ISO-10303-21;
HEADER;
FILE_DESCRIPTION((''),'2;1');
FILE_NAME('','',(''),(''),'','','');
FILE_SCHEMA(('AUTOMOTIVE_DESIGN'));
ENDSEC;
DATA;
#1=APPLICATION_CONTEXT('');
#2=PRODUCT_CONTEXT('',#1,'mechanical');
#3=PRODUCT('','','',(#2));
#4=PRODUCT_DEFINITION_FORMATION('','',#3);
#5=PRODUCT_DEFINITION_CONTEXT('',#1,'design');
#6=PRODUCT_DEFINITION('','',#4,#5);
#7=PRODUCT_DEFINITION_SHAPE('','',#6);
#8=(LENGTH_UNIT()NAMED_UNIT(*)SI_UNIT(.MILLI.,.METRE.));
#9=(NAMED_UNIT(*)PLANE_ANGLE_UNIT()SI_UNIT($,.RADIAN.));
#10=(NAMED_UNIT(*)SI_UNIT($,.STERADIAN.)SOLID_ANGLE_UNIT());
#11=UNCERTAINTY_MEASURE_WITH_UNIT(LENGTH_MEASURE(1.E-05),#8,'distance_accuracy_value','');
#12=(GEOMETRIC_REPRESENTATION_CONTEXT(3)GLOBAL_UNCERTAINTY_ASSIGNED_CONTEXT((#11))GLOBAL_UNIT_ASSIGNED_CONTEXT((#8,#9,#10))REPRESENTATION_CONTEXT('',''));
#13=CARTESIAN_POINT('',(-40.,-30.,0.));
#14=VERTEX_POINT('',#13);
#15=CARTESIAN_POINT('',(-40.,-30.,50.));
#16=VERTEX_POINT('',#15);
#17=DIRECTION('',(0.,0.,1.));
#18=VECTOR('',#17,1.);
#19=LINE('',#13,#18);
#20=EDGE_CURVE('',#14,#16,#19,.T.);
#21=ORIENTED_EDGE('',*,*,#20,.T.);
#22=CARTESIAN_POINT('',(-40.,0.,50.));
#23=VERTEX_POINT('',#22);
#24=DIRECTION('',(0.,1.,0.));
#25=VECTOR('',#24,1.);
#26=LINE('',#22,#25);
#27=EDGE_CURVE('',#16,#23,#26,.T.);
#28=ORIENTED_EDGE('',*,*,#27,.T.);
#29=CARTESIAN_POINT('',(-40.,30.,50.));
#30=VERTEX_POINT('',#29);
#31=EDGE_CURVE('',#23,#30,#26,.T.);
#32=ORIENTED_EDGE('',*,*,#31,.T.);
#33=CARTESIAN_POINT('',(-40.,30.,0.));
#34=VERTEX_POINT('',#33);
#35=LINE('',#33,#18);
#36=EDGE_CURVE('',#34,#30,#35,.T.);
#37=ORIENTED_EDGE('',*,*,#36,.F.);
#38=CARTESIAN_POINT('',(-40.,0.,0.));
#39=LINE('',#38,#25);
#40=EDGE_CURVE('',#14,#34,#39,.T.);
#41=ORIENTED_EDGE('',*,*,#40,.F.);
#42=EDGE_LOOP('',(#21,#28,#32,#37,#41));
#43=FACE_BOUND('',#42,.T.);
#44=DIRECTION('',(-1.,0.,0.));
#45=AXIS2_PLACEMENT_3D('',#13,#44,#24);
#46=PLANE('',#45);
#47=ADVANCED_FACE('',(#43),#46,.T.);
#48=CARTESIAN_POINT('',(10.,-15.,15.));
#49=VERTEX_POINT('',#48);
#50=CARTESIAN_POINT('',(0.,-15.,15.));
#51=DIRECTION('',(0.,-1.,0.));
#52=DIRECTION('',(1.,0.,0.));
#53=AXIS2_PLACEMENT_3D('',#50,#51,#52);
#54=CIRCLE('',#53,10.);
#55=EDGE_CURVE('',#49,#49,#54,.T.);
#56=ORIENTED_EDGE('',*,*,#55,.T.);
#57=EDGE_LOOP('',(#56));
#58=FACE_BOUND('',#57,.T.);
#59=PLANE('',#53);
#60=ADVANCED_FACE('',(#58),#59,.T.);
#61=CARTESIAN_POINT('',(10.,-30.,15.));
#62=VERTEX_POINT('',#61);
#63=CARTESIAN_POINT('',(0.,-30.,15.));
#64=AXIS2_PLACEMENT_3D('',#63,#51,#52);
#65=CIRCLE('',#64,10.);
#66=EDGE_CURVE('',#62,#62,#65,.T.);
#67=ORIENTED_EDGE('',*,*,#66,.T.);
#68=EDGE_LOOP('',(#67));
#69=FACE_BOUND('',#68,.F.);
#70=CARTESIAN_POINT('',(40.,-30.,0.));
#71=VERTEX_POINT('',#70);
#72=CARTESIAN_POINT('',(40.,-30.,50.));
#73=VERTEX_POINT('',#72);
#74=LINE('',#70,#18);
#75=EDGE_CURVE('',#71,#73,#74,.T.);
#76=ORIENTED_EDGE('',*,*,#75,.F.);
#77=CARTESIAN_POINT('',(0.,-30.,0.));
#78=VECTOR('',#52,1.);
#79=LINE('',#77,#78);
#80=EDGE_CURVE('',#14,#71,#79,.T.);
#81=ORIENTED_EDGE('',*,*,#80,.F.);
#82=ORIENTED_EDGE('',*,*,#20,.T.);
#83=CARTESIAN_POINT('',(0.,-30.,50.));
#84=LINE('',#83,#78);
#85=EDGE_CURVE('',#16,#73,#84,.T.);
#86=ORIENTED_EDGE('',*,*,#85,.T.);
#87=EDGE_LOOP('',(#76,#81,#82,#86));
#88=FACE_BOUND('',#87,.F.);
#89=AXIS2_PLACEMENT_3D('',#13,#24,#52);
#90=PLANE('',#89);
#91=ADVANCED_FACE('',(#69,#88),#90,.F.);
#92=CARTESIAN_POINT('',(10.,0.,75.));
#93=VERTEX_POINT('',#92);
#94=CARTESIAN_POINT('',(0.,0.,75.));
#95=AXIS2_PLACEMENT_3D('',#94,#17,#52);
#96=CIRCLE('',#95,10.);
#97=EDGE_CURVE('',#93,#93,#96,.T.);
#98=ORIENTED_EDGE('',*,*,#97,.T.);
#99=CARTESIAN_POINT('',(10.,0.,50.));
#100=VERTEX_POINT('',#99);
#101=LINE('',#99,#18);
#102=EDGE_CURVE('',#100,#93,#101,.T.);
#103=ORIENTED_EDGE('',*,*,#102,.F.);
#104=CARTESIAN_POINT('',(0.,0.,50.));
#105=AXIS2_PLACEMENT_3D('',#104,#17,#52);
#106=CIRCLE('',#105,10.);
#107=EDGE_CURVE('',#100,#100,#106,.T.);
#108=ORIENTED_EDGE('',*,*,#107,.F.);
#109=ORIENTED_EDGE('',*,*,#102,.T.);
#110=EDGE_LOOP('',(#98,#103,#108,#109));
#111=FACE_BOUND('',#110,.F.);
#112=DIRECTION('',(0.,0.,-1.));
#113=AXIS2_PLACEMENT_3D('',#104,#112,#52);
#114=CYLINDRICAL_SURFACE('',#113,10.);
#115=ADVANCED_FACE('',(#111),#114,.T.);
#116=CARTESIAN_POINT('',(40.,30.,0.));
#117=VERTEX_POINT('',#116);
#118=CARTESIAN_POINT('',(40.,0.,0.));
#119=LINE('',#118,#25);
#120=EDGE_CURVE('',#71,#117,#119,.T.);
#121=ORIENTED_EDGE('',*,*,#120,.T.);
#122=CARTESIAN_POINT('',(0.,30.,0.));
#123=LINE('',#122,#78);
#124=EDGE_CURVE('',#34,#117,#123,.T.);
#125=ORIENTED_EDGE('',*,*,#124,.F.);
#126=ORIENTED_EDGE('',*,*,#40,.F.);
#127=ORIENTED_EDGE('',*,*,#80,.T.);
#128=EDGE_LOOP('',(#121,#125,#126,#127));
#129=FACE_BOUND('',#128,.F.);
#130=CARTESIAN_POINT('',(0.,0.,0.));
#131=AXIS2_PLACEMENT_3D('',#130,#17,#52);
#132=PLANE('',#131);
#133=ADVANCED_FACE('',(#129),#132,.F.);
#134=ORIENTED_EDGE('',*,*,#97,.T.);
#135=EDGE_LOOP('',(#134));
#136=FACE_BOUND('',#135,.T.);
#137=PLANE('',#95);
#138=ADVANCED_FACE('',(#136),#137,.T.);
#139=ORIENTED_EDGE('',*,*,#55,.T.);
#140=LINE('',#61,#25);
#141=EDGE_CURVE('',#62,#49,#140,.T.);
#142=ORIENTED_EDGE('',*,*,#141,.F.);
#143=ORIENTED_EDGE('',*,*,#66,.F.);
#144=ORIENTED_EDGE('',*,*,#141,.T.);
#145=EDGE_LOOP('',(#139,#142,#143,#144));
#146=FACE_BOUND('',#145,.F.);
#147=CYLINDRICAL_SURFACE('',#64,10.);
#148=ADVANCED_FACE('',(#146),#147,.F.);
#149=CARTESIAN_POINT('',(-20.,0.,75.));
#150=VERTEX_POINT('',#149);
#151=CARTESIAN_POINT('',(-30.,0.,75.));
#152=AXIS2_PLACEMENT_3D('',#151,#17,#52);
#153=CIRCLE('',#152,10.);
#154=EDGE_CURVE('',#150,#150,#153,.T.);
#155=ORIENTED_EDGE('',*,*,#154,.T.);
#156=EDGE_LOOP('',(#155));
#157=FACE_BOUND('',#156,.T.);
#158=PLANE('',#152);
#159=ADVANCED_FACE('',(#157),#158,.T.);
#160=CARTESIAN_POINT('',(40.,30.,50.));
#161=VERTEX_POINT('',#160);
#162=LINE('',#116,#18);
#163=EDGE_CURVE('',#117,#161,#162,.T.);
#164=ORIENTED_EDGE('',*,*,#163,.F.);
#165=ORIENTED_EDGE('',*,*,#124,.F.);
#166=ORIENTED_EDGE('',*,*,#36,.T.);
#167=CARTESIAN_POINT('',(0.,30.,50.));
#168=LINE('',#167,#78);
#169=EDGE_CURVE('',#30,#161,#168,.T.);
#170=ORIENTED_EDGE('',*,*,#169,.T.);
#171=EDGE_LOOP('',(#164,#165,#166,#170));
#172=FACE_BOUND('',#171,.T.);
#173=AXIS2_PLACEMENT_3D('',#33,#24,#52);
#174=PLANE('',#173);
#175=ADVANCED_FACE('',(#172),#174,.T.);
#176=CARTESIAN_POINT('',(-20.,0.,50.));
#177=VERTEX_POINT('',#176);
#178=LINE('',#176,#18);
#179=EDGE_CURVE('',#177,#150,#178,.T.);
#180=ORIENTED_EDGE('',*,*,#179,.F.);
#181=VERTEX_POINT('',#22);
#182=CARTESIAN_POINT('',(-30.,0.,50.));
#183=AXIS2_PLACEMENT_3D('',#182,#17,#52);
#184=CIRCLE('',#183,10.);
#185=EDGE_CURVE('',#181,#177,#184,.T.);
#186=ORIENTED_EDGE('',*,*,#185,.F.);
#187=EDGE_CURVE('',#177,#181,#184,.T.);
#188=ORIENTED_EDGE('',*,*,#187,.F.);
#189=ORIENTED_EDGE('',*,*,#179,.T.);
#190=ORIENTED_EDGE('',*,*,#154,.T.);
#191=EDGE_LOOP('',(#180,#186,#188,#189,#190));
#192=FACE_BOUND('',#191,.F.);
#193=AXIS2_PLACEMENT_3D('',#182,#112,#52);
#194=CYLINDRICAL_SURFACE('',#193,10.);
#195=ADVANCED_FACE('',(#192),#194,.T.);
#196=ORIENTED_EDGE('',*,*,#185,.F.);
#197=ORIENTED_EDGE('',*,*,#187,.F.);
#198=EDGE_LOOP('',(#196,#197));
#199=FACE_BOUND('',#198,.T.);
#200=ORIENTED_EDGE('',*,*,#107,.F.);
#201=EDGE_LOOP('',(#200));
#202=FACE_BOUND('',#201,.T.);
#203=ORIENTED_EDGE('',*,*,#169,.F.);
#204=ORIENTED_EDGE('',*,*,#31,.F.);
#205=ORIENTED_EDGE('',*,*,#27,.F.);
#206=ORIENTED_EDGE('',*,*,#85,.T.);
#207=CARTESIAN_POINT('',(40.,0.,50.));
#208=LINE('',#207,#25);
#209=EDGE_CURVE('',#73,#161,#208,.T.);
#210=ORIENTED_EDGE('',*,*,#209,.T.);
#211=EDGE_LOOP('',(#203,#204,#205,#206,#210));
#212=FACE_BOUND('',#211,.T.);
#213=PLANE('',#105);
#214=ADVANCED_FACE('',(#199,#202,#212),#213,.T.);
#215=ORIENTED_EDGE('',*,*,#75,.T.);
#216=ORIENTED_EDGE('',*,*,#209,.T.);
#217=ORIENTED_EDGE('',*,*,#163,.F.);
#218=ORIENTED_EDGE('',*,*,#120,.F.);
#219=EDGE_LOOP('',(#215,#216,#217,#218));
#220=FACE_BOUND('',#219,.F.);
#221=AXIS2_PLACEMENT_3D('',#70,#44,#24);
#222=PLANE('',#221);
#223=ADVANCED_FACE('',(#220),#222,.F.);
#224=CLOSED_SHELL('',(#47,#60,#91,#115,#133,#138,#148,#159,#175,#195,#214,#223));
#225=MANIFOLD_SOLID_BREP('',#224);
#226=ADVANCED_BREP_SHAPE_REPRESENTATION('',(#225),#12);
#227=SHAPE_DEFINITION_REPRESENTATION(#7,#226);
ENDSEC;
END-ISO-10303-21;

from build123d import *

# Parameters (mm, degrees)
F0_W     = 80
F0_H     = 60
F1_DEPTH = 50
F3_DEPTH = 25
F4_R     = 10
F5_DEPTH = 25
F6_R     = 10
F7_DEPTH = 15


with BuildPart() as f1:
    # F0 (on Top) → F1 (new body)
    with BuildSketch(Plane.XY):
        Rectangle(F0_W, F0_H)
    extrude(amount=F1_DEPTH)

    # F2 (on face) → F3 (join)
    with BuildSketch(Plane.XY.offset(50)):
        with BuildLine():
            ThreePointArc((-40, 0), (-30, -10), (-20, 0))
            ThreePointArc((-20, 0), (-30, 10), (-40, 0))
        make_face()
    extrude(amount=F3_DEPTH)

    # F4 (on face) → F5 (join)
    with BuildSketch(Plane.XY.offset(50)):
        Circle(F4_R)
    extrude(amount=F5_DEPTH)

    # F6 (on face) → F7 (cut)
    with BuildSketch(Plane.XZ.offset(30)):
        with Locations((0, 15)):
            Circle(F6_R)
    extrude(amount=-F7_DEPTH, mode=Mode.SUBTRACT)


solid = f1.part
